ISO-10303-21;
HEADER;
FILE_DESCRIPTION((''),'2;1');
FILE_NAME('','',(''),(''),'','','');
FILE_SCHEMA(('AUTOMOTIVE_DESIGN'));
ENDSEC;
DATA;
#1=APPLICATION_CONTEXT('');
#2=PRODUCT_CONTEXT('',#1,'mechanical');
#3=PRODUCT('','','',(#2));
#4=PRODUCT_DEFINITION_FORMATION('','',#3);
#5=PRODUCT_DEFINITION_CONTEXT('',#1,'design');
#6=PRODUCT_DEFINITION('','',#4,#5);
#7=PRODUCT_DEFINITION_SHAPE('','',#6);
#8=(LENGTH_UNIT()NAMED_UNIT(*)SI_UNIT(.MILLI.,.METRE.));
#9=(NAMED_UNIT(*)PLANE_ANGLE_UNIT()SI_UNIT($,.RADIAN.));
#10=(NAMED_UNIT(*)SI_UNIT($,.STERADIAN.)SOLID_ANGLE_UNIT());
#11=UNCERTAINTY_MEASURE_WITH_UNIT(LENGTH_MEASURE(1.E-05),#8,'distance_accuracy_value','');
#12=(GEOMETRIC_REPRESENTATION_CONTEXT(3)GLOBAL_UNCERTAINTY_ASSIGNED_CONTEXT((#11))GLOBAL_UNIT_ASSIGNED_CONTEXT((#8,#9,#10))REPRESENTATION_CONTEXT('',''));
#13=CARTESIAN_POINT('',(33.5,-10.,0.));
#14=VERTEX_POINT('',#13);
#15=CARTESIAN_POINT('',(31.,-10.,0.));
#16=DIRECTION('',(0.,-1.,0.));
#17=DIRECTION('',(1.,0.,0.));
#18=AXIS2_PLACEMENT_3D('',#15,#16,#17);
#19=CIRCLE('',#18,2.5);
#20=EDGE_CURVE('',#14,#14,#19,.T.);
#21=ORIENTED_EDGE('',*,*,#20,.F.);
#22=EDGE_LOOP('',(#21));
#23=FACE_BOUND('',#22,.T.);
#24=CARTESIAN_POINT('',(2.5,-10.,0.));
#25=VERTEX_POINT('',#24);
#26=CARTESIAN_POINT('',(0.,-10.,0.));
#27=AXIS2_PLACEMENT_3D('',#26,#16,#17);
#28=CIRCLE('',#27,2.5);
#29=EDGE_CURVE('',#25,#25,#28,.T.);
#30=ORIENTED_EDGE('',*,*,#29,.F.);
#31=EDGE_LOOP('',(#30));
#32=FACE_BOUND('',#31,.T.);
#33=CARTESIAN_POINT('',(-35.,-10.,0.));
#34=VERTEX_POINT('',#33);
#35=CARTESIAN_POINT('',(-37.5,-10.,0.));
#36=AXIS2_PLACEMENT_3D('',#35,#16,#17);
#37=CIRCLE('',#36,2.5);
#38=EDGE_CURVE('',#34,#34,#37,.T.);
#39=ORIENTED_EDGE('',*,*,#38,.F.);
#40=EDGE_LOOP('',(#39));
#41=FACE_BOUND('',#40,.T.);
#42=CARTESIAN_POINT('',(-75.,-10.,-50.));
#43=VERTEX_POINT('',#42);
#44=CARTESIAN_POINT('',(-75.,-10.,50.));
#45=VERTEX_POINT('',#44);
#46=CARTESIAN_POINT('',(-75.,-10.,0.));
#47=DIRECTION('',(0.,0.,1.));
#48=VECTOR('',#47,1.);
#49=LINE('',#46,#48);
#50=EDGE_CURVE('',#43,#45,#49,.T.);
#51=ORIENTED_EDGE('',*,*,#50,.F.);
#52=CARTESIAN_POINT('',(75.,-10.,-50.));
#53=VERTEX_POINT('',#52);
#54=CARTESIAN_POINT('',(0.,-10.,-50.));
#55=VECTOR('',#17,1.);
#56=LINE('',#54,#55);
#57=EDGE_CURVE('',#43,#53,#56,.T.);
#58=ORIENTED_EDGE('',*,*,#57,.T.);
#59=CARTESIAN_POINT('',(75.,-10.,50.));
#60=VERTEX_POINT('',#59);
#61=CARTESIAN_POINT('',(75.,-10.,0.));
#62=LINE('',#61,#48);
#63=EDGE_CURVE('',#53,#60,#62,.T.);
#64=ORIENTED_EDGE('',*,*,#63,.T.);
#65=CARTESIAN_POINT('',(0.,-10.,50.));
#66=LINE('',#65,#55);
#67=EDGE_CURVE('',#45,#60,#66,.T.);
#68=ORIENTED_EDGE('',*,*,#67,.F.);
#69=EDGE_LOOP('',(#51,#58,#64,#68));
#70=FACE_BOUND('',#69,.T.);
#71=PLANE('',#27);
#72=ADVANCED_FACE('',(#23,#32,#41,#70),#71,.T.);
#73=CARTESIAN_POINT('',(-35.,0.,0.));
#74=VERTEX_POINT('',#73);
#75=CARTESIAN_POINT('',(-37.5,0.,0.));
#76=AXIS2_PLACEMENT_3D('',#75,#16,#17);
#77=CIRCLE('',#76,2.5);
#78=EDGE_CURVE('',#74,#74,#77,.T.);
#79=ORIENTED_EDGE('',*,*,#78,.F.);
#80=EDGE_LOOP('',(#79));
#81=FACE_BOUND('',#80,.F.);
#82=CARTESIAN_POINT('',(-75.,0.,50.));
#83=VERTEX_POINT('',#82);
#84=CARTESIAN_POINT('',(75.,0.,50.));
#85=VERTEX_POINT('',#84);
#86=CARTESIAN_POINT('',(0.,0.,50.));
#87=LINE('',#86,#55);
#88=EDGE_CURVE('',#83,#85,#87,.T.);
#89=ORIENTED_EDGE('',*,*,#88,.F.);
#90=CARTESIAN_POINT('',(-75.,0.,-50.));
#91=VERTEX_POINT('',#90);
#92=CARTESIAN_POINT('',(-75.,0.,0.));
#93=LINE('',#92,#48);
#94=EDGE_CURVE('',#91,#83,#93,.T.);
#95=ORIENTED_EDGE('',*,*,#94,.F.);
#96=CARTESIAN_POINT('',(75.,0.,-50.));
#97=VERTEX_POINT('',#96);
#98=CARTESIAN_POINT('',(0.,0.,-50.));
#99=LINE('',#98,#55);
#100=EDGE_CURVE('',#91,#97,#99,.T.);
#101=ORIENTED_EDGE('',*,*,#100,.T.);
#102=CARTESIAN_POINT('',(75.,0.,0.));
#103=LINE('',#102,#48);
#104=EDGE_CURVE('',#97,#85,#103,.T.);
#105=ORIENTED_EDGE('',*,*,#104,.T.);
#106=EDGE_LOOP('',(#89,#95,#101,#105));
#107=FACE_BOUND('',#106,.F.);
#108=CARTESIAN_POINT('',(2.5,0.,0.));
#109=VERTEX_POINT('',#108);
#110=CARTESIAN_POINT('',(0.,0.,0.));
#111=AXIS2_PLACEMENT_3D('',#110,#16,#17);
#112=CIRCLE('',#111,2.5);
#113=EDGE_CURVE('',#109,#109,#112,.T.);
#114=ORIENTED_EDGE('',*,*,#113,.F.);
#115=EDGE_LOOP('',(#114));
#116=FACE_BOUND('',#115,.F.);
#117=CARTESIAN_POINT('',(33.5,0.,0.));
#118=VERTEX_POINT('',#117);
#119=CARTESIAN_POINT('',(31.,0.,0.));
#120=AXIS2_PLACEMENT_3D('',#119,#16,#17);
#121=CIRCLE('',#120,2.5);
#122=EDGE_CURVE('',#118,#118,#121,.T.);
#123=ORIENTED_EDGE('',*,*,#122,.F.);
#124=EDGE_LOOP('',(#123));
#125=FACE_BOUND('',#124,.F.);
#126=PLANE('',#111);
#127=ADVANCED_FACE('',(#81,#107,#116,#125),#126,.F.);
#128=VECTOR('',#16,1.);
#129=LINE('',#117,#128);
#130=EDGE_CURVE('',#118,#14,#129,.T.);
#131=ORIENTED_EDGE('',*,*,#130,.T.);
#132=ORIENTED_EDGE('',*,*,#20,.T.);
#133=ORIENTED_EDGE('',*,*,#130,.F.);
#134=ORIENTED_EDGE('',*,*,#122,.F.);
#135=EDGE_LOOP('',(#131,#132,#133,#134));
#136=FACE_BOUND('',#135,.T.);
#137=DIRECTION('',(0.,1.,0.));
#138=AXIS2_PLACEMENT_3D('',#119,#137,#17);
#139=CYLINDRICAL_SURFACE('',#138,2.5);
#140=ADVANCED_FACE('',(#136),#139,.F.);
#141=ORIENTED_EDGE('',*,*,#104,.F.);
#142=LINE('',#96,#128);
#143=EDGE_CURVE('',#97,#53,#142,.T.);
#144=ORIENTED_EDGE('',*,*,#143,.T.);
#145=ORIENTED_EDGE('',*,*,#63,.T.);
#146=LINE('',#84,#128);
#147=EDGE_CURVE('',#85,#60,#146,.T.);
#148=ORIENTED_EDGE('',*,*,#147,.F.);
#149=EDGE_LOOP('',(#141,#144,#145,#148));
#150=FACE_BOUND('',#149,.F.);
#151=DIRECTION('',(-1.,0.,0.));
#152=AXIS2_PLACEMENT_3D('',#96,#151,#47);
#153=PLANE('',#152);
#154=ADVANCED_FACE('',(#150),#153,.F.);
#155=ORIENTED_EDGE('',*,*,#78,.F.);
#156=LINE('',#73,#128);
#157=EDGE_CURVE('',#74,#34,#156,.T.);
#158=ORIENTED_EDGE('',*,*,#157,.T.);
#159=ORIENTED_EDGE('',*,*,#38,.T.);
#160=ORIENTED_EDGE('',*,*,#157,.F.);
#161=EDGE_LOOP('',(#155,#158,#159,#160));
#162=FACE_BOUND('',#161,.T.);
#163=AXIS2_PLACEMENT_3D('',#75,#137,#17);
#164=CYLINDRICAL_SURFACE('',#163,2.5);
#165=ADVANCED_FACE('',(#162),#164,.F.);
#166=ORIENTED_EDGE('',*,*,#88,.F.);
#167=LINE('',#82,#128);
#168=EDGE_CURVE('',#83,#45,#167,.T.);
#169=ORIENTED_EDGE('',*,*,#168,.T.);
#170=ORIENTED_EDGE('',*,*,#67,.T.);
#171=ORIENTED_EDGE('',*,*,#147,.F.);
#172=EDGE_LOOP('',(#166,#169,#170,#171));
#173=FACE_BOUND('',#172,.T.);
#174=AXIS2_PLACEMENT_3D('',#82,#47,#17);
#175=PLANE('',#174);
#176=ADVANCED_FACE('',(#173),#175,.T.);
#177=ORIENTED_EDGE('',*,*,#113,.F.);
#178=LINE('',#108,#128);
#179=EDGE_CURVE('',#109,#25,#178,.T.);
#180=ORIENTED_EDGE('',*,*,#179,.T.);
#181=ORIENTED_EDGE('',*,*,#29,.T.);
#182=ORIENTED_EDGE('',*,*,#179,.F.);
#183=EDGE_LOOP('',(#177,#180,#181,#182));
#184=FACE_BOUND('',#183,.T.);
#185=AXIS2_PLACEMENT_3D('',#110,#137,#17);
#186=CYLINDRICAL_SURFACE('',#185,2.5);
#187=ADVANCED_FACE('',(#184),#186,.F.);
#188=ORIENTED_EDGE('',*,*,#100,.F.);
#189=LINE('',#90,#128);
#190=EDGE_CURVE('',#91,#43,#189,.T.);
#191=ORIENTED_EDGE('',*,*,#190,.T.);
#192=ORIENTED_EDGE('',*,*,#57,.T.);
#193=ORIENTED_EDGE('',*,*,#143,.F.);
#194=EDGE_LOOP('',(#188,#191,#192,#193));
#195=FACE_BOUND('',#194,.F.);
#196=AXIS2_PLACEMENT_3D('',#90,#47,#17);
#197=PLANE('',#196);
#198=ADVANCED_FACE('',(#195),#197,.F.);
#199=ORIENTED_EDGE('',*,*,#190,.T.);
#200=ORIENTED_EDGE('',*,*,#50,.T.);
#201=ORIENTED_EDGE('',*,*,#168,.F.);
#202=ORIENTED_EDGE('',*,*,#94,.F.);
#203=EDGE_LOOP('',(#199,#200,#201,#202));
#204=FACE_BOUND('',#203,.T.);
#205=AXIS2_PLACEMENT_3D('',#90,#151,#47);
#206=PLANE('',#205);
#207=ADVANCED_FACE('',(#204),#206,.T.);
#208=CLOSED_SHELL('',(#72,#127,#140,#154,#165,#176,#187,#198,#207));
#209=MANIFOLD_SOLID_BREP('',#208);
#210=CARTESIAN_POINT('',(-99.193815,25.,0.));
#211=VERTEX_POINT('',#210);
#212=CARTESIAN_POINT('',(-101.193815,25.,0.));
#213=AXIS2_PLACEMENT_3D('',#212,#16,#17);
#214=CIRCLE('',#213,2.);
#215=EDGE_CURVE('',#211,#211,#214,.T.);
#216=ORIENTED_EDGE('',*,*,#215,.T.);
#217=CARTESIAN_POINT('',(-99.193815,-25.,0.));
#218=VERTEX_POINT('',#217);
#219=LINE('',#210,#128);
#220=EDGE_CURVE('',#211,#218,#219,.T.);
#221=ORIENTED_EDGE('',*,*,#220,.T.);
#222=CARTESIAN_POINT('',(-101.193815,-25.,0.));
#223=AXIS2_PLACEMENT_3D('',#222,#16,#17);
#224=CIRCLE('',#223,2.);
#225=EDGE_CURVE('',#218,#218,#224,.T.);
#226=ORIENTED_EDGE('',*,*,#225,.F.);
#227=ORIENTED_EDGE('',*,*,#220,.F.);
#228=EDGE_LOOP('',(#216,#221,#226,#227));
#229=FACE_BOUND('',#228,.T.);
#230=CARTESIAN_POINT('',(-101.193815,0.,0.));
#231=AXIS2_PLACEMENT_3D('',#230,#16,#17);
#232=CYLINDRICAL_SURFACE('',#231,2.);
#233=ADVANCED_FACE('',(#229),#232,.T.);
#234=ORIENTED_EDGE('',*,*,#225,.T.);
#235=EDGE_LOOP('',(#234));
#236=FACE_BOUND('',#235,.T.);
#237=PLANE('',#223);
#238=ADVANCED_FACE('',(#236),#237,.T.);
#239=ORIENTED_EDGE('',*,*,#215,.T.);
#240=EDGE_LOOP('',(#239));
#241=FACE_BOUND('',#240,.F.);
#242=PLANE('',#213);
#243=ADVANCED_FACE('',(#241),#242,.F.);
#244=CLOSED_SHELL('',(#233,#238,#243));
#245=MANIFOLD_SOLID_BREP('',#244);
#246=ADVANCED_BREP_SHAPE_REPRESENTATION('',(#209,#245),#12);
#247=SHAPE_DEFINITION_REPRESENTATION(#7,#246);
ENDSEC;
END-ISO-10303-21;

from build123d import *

# Parameters (mm, degrees)
F0_W     = 150
F0_H     = 100
F0_R     = 2.5
F1_DEPTH = 10
F2_R     = 2
F3_DEPTH = 25


with BuildPart() as f1:
    # F0 (on Front) → F1 (new body)
    with BuildSketch(Plane.XZ):
        Rectangle(F0_W, F0_H)
        with Locations((-37.5, 0)):
            Circle(F0_R, mode=Mode.SUBTRACT)
        Circle(F0_R, mode=Mode.SUBTRACT)
        with Locations((31, 0)):
            Circle(F0_R, mode=Mode.SUBTRACT)
    extrude(amount=F1_DEPTH)


with BuildPart() as f3:
    # F2 (on Front) → F3 (new body, symmetric)
    with BuildSketch(Plane.XZ):
        with Locations((-101.193815, 0)):
            Circle(F2_R)
    extrude(amount=F3_DEPTH, both=True)


solid = Compound([f1.part, f3.part])
